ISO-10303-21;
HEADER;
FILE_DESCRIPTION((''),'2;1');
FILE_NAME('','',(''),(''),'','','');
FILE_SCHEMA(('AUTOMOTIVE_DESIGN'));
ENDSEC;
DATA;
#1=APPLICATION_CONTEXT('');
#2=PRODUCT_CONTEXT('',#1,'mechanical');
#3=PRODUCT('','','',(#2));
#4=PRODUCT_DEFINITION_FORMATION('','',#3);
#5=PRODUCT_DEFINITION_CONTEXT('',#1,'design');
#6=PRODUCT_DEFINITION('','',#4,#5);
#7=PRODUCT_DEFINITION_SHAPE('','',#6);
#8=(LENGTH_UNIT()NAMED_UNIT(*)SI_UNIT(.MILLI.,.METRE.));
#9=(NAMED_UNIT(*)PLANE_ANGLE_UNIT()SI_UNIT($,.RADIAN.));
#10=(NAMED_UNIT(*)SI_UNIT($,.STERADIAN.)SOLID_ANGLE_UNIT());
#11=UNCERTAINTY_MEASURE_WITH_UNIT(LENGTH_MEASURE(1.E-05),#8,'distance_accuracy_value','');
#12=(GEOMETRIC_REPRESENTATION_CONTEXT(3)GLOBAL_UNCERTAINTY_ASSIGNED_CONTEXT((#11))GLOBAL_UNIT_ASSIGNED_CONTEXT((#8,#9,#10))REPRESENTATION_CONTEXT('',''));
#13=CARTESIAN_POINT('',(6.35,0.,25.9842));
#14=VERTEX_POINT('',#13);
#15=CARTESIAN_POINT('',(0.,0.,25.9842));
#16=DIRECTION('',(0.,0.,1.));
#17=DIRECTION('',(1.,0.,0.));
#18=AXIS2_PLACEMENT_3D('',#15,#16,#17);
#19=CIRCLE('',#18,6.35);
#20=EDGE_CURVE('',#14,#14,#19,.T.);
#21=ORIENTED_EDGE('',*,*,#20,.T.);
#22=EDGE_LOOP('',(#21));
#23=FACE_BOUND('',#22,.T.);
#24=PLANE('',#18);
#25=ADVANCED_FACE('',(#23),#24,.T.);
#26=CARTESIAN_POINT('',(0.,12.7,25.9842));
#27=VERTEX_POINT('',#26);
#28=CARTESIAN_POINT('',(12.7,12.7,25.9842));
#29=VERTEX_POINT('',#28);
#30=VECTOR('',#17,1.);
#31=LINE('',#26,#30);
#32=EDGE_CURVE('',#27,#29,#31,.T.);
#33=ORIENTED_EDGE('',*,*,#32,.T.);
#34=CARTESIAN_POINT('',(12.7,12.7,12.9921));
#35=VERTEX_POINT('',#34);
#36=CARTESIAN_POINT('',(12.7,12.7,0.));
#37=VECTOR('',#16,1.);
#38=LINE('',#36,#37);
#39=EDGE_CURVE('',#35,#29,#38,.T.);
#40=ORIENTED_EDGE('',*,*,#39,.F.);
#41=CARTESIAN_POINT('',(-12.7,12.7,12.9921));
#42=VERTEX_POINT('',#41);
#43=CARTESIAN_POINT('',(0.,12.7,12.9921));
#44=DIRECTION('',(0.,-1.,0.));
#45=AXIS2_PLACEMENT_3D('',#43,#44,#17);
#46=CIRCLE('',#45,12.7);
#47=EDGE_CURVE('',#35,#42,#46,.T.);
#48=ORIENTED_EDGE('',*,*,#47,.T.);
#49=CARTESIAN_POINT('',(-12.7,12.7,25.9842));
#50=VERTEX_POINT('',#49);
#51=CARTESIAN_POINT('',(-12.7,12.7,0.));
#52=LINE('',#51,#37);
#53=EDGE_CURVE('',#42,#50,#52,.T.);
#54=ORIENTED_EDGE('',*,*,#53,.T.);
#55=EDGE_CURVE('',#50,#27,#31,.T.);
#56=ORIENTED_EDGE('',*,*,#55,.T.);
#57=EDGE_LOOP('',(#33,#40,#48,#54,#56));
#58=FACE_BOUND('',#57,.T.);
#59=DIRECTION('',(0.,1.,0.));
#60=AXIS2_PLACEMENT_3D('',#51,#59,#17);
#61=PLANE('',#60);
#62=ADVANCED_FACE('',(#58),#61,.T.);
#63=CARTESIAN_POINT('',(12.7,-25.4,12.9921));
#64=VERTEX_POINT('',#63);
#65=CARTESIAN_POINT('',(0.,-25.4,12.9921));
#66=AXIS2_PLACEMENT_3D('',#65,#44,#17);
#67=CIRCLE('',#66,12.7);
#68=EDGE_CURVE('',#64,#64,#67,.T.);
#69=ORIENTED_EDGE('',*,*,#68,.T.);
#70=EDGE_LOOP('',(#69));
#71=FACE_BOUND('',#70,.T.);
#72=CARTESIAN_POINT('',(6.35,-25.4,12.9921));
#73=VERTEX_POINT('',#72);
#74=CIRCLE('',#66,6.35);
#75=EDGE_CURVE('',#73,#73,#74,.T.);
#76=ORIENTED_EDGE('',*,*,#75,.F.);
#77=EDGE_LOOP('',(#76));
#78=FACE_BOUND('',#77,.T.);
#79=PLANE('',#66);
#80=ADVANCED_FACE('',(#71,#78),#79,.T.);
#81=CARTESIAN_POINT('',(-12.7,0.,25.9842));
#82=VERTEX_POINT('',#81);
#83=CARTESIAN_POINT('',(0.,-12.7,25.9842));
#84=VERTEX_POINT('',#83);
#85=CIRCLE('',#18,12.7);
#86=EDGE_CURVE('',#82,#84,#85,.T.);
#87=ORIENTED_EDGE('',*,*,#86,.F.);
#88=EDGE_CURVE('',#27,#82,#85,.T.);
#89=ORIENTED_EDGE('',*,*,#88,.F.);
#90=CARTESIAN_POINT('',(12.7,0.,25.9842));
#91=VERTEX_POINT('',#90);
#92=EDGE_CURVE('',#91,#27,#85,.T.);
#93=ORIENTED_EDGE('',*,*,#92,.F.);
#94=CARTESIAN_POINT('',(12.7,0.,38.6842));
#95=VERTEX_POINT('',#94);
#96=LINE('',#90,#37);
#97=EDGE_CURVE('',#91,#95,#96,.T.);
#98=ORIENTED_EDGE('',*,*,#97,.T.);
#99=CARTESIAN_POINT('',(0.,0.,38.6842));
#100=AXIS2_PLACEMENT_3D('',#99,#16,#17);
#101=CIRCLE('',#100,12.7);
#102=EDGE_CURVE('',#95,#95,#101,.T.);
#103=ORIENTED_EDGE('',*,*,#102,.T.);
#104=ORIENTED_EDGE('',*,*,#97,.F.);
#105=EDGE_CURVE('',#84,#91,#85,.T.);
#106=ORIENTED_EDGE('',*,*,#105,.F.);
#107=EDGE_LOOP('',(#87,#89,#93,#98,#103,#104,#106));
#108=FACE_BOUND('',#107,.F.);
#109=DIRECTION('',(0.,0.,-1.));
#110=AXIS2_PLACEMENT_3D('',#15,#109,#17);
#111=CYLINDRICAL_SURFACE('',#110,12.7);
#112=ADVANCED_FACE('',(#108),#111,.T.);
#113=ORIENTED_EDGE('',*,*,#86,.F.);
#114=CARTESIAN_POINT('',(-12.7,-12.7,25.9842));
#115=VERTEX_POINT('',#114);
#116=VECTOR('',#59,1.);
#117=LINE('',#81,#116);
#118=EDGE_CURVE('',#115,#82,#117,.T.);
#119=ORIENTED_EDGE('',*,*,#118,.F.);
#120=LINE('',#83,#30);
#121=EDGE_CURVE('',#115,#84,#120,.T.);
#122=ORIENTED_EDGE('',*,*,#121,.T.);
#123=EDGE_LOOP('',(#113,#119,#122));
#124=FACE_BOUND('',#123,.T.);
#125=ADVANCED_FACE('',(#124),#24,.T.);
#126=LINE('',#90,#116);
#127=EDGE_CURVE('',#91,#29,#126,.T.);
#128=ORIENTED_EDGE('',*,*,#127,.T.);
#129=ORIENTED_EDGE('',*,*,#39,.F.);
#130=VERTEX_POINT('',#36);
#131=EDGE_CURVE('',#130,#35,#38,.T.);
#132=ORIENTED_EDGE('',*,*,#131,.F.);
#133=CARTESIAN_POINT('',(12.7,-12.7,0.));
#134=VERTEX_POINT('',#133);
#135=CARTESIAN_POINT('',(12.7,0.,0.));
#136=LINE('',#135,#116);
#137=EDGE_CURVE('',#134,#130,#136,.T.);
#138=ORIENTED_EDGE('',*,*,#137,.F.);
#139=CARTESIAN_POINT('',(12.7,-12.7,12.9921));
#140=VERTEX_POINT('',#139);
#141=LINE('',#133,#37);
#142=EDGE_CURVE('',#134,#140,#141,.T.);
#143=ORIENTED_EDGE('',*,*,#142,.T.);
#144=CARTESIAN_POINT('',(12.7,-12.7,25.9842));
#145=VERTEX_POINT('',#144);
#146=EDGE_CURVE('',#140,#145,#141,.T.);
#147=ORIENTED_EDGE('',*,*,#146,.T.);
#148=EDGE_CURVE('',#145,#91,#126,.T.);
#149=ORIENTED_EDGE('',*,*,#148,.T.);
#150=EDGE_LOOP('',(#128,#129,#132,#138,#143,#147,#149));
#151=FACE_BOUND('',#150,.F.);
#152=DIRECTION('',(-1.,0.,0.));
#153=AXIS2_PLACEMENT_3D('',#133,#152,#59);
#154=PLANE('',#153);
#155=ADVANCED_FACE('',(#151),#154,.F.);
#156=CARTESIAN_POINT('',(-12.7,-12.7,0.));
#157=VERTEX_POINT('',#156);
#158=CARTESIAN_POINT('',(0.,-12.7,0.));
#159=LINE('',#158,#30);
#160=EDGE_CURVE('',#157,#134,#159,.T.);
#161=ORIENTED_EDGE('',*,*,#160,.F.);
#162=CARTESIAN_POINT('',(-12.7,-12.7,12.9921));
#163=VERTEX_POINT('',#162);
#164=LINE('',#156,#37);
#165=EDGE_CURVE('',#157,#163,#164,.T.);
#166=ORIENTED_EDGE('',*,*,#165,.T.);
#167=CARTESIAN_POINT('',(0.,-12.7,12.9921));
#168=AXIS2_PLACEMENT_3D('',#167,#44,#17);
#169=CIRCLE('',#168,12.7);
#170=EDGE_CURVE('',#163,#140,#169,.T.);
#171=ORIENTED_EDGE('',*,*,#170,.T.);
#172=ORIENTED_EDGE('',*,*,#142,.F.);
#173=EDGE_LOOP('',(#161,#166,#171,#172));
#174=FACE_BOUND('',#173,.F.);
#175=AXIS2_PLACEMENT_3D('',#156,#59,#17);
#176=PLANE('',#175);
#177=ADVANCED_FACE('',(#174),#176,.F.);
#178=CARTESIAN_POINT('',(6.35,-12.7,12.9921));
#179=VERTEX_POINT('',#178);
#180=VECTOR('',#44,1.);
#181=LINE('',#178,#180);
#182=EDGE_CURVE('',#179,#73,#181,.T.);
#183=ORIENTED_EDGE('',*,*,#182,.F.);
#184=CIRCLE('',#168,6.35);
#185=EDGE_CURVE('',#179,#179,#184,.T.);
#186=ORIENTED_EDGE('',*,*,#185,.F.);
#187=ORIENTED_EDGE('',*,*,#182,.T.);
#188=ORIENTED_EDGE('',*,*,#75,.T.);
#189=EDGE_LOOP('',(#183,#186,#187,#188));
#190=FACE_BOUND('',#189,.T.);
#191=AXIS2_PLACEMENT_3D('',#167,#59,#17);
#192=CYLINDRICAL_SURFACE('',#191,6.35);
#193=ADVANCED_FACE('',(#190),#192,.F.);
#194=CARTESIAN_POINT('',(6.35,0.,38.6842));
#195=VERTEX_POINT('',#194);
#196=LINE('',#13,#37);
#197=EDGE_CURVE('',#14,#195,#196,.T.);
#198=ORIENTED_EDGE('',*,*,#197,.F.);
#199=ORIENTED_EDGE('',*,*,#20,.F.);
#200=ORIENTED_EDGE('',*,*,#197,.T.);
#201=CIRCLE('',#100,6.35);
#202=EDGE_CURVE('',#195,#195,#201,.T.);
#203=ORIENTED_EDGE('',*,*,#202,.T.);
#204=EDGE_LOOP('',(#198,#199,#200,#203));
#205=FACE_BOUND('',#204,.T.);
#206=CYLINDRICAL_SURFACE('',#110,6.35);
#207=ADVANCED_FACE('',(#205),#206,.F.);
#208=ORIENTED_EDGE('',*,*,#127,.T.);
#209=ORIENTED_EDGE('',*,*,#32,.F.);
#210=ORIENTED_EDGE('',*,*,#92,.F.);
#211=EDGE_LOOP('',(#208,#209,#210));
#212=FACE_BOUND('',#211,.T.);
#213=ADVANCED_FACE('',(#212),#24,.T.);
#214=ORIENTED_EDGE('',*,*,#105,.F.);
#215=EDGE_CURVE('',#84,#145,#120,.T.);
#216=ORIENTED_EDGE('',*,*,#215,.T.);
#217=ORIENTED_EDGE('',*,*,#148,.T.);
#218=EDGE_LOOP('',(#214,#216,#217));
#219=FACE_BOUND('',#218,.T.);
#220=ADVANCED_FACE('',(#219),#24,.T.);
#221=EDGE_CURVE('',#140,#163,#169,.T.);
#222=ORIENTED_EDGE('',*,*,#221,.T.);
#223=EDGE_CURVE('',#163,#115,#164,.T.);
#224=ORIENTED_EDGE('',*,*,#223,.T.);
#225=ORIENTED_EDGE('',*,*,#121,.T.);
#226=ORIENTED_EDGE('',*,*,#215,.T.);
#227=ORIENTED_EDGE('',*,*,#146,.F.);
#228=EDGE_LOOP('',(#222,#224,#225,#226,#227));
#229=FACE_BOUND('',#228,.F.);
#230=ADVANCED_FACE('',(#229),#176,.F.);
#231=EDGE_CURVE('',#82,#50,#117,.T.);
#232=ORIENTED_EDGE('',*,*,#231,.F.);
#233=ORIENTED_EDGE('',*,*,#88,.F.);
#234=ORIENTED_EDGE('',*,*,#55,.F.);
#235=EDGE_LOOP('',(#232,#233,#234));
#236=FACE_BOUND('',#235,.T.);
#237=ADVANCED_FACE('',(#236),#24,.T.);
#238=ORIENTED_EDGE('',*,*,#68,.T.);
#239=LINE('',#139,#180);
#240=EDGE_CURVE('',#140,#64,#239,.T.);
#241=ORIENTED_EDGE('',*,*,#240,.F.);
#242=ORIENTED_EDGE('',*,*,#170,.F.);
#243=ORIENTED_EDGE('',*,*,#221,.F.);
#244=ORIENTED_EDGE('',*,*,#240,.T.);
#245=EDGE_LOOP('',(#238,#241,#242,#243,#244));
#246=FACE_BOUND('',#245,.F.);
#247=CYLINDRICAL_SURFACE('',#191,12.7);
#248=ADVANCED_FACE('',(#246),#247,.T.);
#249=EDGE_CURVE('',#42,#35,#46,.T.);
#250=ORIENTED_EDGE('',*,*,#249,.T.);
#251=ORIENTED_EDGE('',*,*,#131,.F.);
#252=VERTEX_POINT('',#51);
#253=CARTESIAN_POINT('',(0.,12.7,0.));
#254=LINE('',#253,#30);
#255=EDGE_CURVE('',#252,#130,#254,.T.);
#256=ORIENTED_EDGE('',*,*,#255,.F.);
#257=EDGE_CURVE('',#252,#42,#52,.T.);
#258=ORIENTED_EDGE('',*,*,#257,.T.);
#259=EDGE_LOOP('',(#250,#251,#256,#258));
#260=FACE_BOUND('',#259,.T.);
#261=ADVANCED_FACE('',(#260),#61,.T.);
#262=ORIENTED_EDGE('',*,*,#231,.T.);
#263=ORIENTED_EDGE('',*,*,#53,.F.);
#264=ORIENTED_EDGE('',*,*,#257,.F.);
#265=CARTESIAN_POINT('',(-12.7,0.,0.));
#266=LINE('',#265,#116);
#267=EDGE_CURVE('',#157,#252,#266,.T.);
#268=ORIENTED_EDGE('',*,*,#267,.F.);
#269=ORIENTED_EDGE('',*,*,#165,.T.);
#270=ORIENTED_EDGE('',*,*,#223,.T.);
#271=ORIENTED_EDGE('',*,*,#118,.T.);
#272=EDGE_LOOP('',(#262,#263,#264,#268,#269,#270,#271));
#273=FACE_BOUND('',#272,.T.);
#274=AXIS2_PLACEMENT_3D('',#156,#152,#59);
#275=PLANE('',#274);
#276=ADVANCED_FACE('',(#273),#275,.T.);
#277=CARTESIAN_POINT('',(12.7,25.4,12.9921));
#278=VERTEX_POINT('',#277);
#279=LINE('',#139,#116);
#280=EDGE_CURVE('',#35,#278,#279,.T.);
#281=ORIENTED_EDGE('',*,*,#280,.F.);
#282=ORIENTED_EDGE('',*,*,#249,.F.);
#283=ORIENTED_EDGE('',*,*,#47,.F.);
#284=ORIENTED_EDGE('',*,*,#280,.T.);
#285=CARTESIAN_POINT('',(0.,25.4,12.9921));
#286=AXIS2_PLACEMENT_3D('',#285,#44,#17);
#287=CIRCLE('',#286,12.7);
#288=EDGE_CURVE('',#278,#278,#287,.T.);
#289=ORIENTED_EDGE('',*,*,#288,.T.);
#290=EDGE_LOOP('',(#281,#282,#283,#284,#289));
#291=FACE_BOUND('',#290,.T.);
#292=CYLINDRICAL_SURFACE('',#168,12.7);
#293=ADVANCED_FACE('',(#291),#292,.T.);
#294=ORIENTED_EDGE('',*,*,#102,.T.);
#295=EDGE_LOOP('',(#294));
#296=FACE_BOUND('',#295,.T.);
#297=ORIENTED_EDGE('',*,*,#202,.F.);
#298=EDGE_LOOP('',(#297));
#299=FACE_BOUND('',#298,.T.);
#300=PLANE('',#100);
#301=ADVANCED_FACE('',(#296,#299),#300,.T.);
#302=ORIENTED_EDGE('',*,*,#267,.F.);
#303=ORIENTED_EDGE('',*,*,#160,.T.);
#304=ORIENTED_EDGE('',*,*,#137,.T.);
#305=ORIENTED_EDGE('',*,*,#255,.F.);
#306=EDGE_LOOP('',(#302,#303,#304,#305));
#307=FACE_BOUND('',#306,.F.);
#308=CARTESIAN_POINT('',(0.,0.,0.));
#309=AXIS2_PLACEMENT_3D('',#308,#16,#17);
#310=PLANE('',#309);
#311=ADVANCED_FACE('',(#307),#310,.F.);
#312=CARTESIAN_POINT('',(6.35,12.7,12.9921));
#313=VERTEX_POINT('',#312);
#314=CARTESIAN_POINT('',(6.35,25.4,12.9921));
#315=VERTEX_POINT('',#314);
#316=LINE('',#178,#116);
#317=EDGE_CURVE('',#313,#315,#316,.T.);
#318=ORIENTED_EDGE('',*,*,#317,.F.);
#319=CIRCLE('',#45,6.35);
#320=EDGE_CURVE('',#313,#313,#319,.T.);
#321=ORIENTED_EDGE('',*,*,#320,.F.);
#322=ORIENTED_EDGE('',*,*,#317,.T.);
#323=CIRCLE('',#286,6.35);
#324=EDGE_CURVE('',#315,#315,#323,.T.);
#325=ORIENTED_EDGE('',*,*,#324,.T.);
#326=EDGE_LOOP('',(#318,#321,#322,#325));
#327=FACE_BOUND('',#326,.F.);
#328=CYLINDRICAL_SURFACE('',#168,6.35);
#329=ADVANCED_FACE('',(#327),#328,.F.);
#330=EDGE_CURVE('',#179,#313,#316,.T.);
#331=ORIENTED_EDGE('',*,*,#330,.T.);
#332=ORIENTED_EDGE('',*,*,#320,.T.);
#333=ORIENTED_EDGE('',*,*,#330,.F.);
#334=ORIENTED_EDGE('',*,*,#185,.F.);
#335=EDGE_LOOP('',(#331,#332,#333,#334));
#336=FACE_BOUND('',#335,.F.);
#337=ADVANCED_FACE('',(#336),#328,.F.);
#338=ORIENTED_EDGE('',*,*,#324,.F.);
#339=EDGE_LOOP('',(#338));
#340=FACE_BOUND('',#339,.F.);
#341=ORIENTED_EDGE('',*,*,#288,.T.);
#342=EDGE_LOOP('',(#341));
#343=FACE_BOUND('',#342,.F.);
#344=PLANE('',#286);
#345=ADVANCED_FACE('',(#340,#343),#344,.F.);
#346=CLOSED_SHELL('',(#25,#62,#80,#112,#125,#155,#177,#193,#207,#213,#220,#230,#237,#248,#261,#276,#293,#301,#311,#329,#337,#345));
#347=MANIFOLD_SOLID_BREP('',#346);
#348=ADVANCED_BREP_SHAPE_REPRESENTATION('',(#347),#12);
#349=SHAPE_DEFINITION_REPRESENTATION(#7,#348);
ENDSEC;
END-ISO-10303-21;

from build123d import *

# Parameters (mm, degrees)
F0_W          = 25.4
F0_H          = 25.4
F1_DEPTH      = 25.9842
F2_R          = 12.7
F2_R_2        = 6.35
F3_DEPTH      = 12.7
F4_R          = 12.7
F4_R_2        = 6.35
F5_DEPTH      = 12.7
F5_DEPTH_BACK = 38.1
F6_R          = 6.35
F7_DEPTH      = 38.101


with BuildPart() as f1:
    # F0 (on Top) → F1 (new body)
    with BuildSketch(Plane.XY):
        Rectangle(F0_W, F0_H)
    extrude(amount=F1_DEPTH)

    # F2 (on face) → F3 (join)
    with BuildSketch(Plane.XY.offset(25.9842)):
        Circle(F2_R)
        Circle(F2_R_2, mode=Mode.SUBTRACT)
    extrude(amount=F3_DEPTH)

    # F4 (on face) → F5 (join, two sides)
    with BuildSketch(Plane.XZ.offset(12.7)) as f5_sk:
        with Locations((0, 12.9921)):
            Circle(F4_R)
        with Locations((0, 12.9921)):
            Circle(F4_R_2, mode=Mode.SUBTRACT)
    extrude(amount=F5_DEPTH)
    extrude(f5_sk.sketch, amount=-F5_DEPTH_BACK)

    # F6 (on face) → F7 (cut, through all)
    with BuildSketch(Plane.XZ.offset(12.7)):
        with Locations((0, 12.9921)):
            Circle(F6_R)
    extrude(amount=-F7_DEPTH, mode=Mode.SUBTRACT)


solid = f1.part
